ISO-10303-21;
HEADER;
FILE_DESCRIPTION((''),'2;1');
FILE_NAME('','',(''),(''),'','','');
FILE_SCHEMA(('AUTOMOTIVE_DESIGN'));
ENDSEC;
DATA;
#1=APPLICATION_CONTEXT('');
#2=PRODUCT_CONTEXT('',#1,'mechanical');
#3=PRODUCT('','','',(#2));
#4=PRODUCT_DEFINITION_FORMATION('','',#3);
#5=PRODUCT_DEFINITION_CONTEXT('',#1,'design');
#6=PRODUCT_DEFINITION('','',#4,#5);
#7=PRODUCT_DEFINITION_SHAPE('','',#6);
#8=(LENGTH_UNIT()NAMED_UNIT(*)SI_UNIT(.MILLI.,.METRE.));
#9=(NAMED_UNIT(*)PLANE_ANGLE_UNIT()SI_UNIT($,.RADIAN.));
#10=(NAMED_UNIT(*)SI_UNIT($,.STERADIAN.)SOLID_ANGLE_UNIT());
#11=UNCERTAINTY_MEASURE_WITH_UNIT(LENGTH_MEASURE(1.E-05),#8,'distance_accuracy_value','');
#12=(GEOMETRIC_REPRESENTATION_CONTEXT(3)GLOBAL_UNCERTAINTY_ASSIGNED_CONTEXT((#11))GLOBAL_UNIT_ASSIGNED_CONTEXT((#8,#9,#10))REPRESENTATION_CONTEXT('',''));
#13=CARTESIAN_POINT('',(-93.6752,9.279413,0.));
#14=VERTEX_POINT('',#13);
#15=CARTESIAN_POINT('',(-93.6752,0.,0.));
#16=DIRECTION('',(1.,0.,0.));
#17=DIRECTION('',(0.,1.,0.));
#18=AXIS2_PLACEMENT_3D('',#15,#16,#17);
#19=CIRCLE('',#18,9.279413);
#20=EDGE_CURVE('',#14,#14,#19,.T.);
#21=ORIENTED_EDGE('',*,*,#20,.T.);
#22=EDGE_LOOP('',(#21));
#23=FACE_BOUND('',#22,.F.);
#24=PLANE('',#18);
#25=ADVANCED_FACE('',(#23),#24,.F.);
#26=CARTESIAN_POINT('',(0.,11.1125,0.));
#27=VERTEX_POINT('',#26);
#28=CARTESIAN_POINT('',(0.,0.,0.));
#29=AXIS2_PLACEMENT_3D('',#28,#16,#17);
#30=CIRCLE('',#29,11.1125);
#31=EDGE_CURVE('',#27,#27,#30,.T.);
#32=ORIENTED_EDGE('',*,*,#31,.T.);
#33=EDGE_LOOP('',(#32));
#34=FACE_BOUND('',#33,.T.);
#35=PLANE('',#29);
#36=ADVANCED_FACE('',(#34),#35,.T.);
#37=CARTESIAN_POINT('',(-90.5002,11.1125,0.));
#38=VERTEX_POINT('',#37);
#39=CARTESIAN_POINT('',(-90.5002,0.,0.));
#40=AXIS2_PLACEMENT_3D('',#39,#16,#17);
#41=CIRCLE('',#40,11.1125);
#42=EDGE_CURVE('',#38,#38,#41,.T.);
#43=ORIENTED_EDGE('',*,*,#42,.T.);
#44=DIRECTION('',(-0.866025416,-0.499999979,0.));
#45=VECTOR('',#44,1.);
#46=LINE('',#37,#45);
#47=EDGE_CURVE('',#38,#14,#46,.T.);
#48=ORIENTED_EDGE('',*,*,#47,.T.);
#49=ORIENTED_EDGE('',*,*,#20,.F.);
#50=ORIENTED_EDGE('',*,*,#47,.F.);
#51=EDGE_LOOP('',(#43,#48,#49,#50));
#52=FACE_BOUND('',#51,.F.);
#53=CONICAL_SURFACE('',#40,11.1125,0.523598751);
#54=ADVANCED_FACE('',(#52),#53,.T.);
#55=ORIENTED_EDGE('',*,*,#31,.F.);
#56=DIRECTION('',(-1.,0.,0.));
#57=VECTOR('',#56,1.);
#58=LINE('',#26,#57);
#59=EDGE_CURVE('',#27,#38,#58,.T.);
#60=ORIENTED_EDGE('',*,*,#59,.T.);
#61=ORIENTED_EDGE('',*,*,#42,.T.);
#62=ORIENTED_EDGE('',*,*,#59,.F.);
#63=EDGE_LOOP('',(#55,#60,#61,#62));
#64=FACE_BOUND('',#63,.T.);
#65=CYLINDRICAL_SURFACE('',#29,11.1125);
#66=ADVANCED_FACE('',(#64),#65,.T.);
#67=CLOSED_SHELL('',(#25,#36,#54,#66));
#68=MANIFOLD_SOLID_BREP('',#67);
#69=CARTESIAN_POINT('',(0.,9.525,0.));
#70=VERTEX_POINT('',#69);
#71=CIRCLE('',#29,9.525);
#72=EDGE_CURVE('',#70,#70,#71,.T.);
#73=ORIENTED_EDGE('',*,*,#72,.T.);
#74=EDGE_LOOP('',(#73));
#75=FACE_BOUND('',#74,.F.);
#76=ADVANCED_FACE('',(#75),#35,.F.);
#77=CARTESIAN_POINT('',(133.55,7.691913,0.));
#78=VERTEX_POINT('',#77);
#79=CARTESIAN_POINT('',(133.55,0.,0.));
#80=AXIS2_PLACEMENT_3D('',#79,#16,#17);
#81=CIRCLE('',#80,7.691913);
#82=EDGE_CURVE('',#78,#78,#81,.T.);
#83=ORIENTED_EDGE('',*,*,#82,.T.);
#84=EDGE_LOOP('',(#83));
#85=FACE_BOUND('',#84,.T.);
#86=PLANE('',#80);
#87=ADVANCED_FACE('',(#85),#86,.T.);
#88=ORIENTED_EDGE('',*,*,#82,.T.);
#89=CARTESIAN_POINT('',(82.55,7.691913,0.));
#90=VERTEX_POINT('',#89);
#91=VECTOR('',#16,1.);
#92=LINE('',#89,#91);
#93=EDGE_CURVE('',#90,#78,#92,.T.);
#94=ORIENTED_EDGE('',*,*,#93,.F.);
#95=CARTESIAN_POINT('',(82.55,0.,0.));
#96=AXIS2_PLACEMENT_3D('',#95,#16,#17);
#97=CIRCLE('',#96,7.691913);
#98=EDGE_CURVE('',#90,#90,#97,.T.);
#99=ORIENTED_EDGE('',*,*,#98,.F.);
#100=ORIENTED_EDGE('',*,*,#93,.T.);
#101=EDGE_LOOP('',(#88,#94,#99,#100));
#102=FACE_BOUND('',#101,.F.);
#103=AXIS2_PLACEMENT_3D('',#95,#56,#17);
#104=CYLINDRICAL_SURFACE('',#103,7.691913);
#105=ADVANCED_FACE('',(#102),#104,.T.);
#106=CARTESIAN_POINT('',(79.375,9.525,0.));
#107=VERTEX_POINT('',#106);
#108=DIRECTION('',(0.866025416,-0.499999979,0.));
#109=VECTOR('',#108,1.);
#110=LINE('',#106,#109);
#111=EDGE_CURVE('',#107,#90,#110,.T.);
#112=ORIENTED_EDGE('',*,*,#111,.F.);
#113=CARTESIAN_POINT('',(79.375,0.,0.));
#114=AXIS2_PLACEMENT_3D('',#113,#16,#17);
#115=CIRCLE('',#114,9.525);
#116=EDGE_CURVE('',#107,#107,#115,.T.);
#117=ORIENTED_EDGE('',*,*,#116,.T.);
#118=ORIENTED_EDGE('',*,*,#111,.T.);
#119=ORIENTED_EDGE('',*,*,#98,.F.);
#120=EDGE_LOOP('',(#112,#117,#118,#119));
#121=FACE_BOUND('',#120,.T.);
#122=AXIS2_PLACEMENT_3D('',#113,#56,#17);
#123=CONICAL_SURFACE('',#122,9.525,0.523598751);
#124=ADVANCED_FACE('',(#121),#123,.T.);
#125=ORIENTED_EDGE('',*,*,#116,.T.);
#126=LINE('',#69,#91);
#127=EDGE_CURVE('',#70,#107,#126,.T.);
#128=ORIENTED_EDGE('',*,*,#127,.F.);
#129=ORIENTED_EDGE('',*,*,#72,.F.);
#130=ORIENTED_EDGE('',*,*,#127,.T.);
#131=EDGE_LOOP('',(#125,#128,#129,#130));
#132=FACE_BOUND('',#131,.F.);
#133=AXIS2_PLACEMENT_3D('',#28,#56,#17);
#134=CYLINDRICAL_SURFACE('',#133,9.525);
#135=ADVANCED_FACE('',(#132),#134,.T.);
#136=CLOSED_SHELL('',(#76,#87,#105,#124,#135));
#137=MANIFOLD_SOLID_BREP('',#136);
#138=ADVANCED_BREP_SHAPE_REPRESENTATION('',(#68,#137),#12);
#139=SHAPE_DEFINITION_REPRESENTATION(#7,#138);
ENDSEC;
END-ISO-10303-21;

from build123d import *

# Parameters (mm, degrees)
F0_R      = 11.1125
F0_R_2    = 9.525
F1_DEPTH  = 93.6752
F2_DEPTH  = 82.55
F3_SIZE2  = 1.833087
F3_SIZE   = 3.175
F4_SIZE2  = 1.833087
F4_SIZE   = 3.175
F2_FACE_R = 7.691913
F5_DEPTH  = 51


with BuildPart() as f1:
    # F0 (on Right) → F1 (new body)
    with BuildSketch(Plane.YZ):
        Circle(F0_R)
        Circle(F0_R_2, mode=Mode.SUBTRACT)
        Circle(F0_R_2)
    extrude(amount=-F1_DEPTH)

    # F3
    f3_edges = [f1.edges().sort_by_distance(p)[0] for p in [
        (-93.6752, -11.1125, 0),
    ]]
    chamfer(f3_edges, length=F3_SIZE, length2=F3_SIZE2)


with BuildPart() as f2:
    # F0 (on Right) → F2 (new body)
    with BuildSketch(Plane.YZ):
        Circle(F0_R_2)
    extrude(amount=F2_DEPTH)

    # F4
    f4_edges = [f2.edges().sort_by_distance(p)[0] for p in [
        (82.55, -9.525, 0),
    ]]
    chamfer(f4_edges, length=F4_SIZE, length2=F4_SIZE2)

    # F2_face (on face) → F5 (join)
    with BuildSketch(Plane.YZ.offset(82.55)):
        Circle(F2_FACE_R)
    extrude(amount=F5_DEPTH)


solid = Compound([f1.part, f2.part])
